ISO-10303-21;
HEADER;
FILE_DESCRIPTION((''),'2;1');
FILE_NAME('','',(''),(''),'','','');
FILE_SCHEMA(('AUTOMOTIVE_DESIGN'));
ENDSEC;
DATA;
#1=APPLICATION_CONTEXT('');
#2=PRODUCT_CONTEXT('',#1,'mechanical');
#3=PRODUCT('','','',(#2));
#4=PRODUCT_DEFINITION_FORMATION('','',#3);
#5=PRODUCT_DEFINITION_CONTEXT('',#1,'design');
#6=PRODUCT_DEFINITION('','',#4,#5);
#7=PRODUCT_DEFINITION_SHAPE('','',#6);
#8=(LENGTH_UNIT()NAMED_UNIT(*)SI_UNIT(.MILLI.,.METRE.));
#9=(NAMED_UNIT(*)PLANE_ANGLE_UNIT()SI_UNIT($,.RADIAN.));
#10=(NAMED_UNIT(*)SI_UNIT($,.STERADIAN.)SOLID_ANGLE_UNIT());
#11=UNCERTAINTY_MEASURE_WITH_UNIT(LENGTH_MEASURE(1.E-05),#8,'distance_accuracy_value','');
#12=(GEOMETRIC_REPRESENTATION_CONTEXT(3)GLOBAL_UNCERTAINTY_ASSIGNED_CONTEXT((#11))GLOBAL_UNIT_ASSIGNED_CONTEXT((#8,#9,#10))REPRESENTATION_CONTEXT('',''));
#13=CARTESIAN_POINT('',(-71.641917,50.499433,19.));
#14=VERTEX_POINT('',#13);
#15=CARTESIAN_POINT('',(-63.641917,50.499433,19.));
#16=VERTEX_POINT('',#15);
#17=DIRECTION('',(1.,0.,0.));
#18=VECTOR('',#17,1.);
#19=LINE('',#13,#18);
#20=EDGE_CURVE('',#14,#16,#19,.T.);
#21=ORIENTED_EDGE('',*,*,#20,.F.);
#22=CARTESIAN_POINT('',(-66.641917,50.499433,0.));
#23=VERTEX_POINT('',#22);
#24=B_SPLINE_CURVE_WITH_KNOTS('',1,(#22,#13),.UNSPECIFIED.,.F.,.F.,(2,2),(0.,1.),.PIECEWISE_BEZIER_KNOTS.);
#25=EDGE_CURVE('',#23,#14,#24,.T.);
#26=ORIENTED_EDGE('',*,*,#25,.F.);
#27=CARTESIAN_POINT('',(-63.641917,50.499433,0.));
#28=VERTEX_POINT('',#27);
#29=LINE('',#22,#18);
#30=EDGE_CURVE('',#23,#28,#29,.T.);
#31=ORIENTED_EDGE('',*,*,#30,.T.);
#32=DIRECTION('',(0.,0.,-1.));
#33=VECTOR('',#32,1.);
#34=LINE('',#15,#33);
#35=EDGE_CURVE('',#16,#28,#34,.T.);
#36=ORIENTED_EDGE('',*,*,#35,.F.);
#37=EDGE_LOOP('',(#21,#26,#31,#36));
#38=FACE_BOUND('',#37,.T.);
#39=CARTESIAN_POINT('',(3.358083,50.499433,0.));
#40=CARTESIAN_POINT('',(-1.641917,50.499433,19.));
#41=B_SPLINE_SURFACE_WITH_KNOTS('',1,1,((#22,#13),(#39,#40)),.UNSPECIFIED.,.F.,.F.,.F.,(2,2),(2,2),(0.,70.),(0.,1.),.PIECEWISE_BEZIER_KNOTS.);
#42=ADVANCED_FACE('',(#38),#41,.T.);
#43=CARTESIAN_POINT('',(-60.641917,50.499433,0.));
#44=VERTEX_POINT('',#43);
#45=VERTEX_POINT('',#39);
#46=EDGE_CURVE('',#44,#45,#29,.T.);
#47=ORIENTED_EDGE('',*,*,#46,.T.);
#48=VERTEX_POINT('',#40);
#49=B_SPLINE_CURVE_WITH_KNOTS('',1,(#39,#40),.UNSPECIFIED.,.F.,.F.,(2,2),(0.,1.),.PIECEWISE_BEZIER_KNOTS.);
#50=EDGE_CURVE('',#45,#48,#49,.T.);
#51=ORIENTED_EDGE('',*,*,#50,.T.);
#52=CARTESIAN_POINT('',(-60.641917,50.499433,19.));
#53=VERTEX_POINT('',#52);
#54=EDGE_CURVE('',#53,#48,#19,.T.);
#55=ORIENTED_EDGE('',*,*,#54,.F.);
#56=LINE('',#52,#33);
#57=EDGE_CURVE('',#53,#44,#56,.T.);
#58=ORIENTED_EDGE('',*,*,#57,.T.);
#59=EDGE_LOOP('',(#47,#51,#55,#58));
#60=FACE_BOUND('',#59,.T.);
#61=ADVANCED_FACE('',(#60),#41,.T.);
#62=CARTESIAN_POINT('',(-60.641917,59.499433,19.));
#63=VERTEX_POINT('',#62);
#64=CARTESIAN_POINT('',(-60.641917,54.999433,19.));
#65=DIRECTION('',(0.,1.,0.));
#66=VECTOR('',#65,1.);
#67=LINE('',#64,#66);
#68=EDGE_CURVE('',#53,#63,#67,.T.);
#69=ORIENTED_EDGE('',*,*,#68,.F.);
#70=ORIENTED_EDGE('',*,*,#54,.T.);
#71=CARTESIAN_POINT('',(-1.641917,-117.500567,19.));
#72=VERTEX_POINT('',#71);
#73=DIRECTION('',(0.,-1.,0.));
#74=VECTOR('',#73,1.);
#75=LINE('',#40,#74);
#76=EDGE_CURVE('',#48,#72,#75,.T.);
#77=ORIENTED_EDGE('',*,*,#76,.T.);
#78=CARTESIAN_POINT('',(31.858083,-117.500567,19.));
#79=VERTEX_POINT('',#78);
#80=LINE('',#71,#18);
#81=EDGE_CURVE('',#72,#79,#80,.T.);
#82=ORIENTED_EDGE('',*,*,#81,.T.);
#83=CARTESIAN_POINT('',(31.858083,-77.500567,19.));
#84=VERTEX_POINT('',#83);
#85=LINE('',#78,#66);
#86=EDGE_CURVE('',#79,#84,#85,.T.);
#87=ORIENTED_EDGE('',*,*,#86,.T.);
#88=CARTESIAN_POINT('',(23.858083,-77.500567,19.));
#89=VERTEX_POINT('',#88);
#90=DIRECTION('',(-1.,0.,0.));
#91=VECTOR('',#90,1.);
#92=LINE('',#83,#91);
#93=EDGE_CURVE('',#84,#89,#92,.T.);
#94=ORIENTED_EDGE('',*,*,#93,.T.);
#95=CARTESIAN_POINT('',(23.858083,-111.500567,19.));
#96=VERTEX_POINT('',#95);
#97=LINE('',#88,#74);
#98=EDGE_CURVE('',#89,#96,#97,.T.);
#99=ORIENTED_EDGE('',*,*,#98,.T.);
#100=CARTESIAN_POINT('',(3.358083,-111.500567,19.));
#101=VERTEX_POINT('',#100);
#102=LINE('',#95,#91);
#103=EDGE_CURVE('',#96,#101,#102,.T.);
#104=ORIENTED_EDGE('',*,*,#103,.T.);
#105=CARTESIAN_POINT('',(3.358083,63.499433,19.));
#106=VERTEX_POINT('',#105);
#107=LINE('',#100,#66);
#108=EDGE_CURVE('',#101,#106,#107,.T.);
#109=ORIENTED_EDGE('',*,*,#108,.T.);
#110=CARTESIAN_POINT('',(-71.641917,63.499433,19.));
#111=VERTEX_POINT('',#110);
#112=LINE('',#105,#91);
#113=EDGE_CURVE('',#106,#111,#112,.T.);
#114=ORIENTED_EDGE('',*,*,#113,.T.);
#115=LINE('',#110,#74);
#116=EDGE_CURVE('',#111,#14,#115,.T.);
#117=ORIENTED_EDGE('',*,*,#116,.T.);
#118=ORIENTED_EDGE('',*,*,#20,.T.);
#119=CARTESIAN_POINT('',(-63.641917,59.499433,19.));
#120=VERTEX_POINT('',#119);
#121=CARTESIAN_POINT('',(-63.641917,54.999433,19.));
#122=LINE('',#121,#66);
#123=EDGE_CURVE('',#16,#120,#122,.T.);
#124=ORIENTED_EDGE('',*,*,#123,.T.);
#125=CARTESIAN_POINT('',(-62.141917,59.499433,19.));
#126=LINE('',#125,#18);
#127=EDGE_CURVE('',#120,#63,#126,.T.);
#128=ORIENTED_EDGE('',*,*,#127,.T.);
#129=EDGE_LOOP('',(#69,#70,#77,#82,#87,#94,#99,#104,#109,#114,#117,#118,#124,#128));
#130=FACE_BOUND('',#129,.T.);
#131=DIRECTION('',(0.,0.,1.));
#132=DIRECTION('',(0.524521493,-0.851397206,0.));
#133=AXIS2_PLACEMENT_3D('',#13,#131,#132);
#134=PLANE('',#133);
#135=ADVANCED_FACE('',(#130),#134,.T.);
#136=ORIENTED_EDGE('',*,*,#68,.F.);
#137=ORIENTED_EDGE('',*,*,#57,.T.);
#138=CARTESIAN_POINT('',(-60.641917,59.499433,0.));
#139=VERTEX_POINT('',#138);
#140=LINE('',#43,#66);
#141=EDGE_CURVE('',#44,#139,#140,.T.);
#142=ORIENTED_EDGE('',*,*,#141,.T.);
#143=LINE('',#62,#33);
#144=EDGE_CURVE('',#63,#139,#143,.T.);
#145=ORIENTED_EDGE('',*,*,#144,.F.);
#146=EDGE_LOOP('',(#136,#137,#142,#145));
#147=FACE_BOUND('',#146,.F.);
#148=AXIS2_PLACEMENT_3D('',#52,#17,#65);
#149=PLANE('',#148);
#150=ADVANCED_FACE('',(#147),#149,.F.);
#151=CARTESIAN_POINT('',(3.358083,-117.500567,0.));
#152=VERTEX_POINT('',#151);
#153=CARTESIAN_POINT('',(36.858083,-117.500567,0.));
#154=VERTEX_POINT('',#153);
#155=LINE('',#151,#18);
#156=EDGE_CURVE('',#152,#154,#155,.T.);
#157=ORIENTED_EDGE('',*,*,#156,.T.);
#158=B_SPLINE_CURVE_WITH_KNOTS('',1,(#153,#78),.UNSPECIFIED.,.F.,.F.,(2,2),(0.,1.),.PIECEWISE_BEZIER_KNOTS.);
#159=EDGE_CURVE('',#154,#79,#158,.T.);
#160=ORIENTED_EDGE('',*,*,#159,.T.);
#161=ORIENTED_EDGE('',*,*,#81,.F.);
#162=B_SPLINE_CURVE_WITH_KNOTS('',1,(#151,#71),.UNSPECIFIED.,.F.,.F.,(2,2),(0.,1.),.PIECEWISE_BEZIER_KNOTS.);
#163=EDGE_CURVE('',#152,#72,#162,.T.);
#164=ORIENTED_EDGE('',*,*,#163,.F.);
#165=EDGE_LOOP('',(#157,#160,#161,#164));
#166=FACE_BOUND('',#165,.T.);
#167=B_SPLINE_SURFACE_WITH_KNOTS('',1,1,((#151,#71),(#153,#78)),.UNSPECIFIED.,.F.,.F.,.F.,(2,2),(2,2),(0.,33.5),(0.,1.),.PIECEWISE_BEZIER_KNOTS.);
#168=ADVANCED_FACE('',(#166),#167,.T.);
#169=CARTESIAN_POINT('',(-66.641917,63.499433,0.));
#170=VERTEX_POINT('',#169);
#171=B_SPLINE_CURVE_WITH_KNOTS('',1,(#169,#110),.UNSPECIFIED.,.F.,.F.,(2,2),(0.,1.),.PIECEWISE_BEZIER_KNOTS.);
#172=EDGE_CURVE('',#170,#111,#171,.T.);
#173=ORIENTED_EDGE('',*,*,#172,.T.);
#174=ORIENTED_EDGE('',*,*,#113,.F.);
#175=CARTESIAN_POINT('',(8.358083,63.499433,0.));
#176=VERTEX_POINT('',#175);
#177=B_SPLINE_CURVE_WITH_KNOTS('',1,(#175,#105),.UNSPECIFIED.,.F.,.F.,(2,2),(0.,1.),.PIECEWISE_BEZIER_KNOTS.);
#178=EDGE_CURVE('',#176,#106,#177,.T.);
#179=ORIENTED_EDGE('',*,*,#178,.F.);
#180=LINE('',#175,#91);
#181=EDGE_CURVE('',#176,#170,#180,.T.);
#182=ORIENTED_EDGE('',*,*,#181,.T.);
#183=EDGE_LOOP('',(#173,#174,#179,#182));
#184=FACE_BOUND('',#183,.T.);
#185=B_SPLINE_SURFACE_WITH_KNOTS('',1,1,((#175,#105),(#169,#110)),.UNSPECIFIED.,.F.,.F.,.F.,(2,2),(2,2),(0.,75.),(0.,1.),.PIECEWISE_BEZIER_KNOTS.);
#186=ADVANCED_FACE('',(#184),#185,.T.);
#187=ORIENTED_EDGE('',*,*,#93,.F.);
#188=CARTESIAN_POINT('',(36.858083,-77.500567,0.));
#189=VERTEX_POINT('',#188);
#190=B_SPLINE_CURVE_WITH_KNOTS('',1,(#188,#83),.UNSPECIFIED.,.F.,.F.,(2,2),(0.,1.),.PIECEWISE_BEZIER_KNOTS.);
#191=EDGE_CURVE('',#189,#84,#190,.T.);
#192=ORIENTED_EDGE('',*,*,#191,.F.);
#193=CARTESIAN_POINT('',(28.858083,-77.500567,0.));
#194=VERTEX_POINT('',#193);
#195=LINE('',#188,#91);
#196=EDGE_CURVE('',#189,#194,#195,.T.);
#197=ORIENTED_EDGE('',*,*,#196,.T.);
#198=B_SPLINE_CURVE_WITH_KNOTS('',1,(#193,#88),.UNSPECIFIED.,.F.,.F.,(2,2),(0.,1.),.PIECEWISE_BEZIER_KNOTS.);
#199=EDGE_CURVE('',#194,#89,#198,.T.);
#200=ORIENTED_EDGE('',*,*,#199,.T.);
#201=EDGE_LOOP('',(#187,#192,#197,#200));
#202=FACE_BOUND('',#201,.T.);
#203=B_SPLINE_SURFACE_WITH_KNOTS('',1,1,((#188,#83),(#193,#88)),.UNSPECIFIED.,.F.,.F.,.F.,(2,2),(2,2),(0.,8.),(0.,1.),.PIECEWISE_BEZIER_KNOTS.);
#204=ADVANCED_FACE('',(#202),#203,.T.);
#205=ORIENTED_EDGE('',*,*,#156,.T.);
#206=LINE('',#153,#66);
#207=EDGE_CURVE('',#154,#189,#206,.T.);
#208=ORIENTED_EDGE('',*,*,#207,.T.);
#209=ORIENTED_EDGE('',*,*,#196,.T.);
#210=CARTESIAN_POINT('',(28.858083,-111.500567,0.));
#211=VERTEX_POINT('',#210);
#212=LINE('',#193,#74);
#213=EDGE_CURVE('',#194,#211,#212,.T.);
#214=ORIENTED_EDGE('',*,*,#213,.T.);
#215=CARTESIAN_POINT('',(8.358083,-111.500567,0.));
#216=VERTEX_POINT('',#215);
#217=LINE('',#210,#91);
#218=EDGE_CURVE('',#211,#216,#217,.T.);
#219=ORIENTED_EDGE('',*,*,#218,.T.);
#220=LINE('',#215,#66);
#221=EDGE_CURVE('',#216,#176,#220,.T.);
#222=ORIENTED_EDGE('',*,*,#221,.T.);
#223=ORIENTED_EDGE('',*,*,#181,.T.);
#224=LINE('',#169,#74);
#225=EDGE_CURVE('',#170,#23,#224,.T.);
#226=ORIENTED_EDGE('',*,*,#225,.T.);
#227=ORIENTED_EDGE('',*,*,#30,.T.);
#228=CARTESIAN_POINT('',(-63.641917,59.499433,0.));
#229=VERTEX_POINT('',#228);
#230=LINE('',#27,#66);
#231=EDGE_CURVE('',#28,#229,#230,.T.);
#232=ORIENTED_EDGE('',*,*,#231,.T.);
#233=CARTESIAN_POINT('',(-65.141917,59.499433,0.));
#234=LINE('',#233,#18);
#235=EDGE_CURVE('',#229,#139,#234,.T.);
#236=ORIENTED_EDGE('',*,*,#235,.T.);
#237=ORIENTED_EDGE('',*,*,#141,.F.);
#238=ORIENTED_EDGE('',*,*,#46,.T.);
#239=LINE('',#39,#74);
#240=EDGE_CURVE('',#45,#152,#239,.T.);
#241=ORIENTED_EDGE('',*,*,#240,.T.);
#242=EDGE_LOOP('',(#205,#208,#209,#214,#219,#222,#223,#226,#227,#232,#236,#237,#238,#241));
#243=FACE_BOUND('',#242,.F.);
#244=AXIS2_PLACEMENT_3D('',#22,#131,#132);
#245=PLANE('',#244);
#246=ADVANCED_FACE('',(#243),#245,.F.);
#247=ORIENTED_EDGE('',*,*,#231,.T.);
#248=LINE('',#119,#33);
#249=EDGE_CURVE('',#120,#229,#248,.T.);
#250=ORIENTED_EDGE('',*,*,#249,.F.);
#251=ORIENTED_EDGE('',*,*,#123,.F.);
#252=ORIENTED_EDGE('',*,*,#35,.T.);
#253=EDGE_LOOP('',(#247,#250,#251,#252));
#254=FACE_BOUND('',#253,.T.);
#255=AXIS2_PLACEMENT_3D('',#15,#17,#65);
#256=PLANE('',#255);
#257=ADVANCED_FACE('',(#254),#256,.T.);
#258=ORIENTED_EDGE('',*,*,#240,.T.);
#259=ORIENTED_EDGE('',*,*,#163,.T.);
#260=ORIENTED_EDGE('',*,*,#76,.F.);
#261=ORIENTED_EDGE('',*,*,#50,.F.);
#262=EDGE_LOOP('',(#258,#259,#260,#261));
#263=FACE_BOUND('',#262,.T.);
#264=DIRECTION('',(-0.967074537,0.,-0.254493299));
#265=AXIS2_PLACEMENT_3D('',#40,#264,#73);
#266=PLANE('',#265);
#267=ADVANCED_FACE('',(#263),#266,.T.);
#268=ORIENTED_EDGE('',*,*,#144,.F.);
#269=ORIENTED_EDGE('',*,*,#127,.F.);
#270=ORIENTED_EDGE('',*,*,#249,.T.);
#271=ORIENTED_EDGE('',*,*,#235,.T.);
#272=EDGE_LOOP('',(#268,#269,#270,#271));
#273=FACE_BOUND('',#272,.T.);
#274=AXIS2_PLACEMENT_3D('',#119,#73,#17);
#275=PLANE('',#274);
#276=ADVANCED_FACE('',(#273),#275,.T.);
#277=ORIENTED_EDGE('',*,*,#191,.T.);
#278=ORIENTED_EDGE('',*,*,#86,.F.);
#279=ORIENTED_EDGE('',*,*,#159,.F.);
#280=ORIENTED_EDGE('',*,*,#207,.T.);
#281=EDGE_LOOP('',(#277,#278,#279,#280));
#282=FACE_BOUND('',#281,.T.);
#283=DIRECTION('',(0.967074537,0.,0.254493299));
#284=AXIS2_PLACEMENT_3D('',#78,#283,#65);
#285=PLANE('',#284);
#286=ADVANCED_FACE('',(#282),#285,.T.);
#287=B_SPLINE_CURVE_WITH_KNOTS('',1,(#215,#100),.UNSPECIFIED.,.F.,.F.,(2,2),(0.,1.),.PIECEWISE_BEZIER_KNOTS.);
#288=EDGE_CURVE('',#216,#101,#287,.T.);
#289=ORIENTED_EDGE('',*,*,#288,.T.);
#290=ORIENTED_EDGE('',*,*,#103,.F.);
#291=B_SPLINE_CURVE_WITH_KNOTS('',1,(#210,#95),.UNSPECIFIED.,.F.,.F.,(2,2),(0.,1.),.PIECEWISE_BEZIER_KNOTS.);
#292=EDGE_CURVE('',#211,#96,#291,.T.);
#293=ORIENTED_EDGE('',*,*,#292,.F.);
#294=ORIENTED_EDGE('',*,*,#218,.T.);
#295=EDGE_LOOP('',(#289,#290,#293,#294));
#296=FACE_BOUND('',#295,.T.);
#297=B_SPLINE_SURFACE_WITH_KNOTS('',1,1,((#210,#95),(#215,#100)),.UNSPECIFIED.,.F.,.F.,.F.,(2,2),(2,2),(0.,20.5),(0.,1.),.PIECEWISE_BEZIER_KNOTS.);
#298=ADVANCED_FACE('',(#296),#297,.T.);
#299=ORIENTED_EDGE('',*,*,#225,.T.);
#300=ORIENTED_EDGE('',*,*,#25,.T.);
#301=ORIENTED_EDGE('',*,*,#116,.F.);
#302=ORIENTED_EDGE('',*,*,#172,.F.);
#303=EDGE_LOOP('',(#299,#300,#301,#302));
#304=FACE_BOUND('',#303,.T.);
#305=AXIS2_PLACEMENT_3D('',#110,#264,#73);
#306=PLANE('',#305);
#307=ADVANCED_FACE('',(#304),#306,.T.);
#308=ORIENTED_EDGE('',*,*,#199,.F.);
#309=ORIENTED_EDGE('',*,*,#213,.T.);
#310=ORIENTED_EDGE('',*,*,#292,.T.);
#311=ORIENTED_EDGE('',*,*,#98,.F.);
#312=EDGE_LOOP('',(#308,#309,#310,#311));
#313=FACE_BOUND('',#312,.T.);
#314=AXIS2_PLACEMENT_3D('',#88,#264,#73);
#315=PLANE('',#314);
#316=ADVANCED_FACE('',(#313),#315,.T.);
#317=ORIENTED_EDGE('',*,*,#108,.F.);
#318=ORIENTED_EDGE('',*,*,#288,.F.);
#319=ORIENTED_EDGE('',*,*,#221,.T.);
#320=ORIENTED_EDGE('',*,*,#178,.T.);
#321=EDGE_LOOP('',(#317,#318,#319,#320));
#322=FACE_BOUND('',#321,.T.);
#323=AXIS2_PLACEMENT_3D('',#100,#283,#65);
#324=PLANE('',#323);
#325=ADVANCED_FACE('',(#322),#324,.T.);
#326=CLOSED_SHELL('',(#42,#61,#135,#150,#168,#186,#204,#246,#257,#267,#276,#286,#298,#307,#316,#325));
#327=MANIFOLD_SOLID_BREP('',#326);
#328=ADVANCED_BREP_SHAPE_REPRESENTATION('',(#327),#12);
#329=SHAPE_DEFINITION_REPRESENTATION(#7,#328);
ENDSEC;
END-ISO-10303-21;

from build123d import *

# Parameters (mm, degrees)
F4_W     = 3
F4_H     = 9
F5_DEPTH = 25


with BuildPart() as f3:
    # F0 (on Top) → F3 section 0
    with BuildSketch(Plane.XY):
        Polygon((-66.641917, 50.499433), (-56.641917, 50.499433), (3.358083, 50.499433), (3.358083, -117.500567), (36.858083, -117.500567), (36.858083, -77.500567), (28.858083, -77.500567), (28.858083, -111.500567), (8.358083, -111.500567), (8.358083, 63.499433), (-66.641917, 63.499433), align=None)
    # F2 (on offset) → F3 section 1
    with BuildSketch(Plane.XY.offset(19)):
        Polygon((-71.641917, 50.499433), (-61.641917, 50.499433), (-1.641917, 50.499433), (-1.641917, -117.500567), (31.858083, -117.500567), (31.858083, -77.500567), (23.858083, -77.500567), (23.858083, -111.500567), (3.358083, -111.500567), (3.358083, 63.499433), (-71.641917, 63.499433), align=None)
    loft()

    # F4 (on face) → F5 (cut)
    with BuildSketch(Plane.XY.offset(19)):
        with Locations((-62.141917, 54.999433)):
            Rectangle(F4_W, F4_H)
    extrude(amount=-F5_DEPTH, mode=Mode.SUBTRACT)


solid = f3.part
